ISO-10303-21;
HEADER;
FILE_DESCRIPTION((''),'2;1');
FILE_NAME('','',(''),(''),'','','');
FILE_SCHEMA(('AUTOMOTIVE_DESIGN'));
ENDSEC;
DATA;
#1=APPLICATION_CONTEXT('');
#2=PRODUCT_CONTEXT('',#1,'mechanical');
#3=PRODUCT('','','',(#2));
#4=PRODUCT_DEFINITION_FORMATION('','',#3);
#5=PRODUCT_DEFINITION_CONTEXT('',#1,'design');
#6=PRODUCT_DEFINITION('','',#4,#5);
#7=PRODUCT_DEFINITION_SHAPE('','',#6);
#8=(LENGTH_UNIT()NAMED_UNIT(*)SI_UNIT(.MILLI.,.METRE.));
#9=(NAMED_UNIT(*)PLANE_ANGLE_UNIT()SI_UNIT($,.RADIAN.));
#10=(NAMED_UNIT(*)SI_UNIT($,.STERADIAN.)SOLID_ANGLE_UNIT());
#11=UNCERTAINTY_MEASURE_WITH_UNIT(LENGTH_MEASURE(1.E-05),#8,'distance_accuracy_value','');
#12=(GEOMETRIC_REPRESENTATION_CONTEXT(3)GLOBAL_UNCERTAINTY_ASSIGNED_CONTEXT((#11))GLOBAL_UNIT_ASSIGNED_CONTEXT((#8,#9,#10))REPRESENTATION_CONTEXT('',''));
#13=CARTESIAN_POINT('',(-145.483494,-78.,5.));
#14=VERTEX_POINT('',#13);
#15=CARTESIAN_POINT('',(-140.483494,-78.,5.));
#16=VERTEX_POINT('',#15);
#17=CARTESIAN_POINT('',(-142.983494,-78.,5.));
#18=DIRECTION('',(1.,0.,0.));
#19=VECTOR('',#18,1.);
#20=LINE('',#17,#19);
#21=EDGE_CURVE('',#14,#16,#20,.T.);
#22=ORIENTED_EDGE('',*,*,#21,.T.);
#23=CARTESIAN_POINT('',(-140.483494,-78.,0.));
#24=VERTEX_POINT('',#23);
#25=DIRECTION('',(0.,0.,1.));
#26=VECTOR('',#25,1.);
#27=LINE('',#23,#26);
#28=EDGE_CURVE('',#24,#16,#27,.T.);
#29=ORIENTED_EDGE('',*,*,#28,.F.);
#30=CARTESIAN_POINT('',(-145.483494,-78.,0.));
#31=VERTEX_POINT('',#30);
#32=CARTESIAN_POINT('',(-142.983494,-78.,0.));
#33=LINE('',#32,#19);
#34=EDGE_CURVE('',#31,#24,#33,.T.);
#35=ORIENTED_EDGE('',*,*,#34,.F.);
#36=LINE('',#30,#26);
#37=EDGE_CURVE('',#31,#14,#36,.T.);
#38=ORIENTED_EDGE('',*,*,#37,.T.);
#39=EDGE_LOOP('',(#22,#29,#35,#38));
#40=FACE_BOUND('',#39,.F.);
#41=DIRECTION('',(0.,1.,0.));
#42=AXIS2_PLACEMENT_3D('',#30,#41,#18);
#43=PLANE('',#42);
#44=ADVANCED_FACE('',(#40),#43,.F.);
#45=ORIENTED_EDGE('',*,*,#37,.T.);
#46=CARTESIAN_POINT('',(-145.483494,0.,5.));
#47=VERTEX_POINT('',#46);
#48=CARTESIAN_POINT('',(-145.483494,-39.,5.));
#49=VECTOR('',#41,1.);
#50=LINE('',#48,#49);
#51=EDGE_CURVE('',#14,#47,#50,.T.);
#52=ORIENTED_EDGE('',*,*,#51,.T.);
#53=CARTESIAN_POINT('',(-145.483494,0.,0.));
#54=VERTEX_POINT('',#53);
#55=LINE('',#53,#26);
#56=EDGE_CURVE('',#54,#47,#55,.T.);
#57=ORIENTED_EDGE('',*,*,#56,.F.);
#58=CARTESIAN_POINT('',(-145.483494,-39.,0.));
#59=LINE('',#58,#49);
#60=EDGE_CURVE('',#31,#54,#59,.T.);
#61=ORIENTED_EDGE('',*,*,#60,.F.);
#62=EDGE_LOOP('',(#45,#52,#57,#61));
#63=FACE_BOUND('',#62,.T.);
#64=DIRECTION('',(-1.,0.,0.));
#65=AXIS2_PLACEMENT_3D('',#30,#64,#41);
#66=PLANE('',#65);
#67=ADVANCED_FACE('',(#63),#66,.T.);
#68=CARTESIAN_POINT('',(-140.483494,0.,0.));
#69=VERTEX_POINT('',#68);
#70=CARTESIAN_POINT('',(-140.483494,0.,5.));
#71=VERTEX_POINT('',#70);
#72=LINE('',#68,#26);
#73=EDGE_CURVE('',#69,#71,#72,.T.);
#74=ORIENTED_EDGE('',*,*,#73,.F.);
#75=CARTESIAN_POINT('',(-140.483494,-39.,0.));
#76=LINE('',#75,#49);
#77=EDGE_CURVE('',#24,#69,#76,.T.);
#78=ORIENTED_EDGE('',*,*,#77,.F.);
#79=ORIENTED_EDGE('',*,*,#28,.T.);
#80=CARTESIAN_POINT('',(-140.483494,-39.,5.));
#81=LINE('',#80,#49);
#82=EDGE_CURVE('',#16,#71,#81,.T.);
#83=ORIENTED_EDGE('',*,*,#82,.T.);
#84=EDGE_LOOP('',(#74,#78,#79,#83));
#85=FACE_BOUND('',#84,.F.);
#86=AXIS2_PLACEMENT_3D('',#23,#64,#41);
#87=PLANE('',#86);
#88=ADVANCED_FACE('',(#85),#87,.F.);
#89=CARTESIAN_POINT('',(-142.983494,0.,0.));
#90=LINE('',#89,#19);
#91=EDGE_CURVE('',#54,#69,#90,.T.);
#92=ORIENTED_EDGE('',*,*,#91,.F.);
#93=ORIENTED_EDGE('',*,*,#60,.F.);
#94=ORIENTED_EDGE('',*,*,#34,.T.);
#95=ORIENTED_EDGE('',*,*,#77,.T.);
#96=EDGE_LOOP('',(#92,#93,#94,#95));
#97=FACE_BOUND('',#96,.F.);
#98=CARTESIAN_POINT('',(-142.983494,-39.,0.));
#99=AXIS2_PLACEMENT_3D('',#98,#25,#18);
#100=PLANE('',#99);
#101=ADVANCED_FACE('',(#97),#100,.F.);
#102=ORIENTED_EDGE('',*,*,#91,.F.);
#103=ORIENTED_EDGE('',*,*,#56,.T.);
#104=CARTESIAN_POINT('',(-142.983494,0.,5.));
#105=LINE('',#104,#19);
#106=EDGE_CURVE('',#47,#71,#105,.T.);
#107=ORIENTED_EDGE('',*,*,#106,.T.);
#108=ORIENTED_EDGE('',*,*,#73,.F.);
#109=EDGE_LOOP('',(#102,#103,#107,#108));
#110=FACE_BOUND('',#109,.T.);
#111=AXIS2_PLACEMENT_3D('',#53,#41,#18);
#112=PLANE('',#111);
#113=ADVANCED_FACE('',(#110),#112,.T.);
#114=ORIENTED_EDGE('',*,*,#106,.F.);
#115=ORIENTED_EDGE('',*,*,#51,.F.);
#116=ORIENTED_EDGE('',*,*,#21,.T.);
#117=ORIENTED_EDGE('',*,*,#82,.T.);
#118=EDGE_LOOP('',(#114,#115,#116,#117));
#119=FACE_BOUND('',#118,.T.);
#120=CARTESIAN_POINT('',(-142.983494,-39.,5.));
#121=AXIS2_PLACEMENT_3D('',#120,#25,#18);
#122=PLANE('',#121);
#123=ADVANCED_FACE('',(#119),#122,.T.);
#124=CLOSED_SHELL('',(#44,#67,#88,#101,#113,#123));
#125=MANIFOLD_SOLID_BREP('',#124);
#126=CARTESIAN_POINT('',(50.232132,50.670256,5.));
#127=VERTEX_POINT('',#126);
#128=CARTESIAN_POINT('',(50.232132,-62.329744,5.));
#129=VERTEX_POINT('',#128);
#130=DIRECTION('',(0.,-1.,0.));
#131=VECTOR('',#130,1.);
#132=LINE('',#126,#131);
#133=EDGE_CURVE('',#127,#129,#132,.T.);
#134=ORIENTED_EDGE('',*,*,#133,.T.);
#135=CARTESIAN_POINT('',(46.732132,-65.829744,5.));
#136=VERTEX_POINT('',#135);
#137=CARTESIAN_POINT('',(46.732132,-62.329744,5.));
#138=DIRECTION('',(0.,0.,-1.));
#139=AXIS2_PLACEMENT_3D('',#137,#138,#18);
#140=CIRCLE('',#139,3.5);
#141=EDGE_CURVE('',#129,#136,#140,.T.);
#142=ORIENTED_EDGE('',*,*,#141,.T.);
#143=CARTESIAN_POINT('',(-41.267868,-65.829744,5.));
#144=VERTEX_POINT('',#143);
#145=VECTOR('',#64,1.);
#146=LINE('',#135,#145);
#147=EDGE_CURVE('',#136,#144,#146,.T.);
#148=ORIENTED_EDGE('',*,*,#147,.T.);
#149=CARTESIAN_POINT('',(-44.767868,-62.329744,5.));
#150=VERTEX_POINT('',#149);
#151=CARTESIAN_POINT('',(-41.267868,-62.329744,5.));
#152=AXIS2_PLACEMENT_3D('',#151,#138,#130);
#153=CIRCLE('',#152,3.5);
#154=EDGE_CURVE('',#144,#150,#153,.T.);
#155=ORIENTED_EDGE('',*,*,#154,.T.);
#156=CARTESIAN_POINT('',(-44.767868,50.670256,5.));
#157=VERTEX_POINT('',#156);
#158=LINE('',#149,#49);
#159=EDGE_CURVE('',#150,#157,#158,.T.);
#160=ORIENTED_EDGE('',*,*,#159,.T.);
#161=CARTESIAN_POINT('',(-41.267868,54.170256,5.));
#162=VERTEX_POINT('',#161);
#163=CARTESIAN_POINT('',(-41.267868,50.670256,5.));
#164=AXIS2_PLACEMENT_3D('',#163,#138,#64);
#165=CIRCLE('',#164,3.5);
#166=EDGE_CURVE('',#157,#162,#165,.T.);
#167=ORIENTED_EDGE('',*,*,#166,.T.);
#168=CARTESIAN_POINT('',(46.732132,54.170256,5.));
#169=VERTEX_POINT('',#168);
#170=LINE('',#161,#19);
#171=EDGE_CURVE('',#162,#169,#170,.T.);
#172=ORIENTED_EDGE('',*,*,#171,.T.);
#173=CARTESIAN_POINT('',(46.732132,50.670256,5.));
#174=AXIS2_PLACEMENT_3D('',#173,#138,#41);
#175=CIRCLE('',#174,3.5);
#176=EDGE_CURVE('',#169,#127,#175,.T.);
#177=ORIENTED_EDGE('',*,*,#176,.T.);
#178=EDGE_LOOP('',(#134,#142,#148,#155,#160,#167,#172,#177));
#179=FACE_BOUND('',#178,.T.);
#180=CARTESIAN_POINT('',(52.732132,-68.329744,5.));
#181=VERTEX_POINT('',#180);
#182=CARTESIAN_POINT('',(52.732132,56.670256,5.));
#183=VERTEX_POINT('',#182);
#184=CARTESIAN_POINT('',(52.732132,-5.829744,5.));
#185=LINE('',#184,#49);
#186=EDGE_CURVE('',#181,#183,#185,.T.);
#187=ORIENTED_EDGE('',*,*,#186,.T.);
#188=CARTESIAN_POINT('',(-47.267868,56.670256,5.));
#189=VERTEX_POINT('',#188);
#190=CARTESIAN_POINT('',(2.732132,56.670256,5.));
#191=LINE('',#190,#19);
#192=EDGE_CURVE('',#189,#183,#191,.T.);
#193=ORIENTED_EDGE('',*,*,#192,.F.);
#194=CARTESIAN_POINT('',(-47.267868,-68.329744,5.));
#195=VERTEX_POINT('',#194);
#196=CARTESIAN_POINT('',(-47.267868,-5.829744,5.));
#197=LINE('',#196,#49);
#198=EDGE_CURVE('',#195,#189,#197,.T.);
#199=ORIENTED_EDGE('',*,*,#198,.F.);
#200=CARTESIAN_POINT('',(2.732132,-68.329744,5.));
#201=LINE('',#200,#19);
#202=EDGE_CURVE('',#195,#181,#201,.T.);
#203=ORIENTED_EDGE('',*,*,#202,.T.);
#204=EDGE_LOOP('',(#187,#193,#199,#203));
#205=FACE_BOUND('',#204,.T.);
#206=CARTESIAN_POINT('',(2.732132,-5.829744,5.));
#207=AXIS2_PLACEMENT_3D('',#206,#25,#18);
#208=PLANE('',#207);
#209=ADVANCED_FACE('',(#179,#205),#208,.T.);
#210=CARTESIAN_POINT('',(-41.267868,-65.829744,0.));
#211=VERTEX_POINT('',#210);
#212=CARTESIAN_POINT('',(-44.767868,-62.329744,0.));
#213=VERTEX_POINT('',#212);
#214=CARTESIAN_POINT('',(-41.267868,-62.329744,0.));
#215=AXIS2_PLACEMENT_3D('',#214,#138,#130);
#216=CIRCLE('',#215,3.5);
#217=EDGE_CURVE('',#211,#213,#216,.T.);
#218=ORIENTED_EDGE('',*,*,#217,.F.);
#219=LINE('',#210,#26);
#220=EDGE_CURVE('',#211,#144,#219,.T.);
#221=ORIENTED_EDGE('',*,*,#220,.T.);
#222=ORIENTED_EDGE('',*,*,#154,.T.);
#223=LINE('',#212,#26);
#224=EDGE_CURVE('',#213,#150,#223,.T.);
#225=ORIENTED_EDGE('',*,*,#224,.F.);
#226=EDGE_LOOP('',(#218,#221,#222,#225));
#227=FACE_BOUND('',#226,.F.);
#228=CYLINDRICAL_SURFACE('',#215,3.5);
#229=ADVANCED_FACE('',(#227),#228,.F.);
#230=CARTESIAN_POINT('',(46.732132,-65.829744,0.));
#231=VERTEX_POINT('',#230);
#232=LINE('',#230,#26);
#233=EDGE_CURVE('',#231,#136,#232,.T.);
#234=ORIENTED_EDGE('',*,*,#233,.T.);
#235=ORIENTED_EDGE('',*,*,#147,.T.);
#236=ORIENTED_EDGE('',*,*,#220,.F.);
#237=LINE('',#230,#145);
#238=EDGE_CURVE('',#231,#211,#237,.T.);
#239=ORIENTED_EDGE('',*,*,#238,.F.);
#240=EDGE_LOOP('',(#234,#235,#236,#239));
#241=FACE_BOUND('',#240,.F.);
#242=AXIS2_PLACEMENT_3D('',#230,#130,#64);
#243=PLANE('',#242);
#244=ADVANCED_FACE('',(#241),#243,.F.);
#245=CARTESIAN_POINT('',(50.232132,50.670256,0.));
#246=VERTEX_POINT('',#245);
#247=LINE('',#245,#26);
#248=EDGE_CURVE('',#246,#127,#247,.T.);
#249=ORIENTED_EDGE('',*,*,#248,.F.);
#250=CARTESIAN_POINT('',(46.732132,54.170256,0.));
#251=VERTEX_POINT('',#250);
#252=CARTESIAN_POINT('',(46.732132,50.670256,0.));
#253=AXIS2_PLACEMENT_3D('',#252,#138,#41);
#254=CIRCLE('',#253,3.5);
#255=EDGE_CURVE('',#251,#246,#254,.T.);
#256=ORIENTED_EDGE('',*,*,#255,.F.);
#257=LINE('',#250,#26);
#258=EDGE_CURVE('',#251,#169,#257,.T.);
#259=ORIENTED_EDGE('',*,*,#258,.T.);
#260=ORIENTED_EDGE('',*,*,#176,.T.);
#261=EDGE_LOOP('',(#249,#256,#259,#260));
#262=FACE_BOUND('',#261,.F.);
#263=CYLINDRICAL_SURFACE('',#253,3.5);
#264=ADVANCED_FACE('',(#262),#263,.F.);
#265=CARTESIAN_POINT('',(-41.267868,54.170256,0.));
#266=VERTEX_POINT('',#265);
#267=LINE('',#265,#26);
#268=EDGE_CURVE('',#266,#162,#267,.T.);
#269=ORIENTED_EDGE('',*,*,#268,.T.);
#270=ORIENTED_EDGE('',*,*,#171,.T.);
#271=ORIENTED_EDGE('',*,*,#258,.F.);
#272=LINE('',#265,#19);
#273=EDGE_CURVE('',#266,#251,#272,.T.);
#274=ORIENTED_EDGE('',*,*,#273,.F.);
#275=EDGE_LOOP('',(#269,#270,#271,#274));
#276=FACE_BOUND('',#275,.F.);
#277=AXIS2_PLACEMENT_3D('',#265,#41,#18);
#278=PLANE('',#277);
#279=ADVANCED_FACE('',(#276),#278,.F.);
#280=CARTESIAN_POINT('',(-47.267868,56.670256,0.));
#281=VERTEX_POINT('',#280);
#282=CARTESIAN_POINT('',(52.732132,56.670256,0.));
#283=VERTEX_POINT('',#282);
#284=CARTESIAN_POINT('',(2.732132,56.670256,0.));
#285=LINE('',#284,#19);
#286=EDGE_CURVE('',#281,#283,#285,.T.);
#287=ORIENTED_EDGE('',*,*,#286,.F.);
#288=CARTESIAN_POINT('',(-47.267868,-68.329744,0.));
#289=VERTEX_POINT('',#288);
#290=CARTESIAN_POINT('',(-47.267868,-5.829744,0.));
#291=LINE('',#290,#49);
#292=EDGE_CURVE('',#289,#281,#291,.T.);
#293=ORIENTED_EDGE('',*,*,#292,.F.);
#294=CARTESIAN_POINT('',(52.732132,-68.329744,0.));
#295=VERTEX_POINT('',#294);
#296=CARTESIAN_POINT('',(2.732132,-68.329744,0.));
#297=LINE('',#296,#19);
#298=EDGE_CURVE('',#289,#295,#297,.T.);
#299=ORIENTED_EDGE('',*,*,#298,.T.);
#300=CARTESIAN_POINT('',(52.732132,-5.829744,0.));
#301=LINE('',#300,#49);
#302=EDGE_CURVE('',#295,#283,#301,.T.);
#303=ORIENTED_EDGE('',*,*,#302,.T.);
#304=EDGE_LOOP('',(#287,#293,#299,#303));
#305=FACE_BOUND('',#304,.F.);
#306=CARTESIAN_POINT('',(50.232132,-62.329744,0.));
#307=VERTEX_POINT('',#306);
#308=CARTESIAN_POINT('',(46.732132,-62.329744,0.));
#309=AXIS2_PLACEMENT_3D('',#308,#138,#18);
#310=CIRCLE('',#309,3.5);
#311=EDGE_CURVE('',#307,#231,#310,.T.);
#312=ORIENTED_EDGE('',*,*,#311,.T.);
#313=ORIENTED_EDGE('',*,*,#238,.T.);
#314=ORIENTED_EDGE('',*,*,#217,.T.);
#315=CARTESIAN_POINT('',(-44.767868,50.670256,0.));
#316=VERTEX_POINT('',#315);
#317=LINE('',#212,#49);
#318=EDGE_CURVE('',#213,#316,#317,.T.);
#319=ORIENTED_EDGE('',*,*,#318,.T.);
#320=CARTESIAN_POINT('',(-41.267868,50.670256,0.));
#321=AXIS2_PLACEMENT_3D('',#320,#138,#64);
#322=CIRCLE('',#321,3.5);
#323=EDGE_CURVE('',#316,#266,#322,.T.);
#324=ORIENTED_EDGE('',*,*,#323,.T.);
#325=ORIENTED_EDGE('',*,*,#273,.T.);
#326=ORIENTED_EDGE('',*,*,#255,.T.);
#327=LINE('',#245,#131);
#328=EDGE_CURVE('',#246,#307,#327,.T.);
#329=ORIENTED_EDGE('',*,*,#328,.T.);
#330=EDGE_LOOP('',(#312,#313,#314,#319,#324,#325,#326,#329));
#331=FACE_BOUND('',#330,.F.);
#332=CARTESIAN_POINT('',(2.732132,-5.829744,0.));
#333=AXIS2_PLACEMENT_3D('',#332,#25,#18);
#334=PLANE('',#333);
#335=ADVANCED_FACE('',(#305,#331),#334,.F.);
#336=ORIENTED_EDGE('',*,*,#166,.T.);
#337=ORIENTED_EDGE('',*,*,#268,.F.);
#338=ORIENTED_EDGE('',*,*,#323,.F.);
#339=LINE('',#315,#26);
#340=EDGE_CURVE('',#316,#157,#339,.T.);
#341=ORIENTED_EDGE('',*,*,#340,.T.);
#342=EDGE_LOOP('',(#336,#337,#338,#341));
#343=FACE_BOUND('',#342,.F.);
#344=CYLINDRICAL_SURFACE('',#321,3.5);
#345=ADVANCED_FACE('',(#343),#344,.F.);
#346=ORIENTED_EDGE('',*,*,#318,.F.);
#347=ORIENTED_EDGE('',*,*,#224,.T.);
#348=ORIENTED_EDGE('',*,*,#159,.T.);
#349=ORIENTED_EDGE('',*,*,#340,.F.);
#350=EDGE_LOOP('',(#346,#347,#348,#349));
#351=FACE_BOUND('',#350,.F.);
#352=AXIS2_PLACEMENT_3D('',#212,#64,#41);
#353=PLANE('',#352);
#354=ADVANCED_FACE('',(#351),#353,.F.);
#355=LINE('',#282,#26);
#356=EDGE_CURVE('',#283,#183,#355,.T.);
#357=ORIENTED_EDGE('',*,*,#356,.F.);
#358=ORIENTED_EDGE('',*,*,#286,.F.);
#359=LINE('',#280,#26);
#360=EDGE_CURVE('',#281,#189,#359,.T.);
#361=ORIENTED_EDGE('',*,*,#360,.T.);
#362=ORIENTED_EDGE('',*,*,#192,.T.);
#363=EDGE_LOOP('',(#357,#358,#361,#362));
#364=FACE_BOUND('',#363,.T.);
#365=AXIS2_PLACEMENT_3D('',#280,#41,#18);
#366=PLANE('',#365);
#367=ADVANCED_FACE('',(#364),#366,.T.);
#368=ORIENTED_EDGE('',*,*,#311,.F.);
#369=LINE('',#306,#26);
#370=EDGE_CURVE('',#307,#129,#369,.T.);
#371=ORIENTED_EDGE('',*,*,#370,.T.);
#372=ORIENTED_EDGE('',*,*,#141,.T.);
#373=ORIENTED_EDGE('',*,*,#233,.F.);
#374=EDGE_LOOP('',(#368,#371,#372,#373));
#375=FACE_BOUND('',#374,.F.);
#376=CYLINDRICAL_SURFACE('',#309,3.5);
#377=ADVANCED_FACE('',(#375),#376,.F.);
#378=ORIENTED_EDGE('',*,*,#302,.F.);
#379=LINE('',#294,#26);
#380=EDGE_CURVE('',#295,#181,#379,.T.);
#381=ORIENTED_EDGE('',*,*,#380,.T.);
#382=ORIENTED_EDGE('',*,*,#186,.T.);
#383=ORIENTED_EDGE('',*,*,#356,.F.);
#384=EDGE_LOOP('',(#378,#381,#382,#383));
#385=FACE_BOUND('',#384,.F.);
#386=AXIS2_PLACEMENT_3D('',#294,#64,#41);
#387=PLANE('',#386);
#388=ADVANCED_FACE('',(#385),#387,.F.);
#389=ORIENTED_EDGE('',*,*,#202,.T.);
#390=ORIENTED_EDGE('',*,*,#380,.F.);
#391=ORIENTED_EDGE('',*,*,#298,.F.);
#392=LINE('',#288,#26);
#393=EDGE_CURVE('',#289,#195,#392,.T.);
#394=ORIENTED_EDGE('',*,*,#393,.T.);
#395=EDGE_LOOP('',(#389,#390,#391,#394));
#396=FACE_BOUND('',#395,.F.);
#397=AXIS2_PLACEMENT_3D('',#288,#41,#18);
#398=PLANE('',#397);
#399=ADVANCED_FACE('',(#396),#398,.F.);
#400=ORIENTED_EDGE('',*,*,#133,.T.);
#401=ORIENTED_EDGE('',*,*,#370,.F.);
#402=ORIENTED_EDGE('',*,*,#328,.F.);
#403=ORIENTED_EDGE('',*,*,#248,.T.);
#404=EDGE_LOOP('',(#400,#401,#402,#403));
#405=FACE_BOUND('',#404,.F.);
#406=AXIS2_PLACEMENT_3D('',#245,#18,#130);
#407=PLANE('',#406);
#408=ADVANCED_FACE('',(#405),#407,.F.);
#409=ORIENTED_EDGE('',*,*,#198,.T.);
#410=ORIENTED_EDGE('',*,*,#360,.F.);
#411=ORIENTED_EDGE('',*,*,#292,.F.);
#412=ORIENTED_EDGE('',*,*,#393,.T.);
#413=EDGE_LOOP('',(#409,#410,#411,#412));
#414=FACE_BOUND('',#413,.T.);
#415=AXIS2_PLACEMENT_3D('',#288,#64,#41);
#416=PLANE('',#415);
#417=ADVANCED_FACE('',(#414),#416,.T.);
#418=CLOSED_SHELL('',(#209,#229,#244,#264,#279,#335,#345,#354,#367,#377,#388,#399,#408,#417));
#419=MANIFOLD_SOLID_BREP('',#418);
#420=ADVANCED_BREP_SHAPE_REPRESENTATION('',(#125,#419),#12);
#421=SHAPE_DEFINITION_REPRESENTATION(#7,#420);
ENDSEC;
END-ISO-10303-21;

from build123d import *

# Parameters (mm, degrees)
F0_W     = 100
F0_H     = 125
F1_DEPTH = 5
F0_W_2   = 5
F0_H_2   = 78


with BuildPart() as f1:
    # F0 (on Top) → F1 (new body)
    with BuildSketch(Plane.XY):
        with Locations((2.7321317747, -5.829744041)):
            Rectangle(F0_W, F0_H)
        with BuildLine():
            ThreePointArc((-44.7678682253, 50.670255959), (-43.7427419594, 53.1451296932), (-41.2678682253, 54.170255959))
            Line((-41.2678682253, 54.170255959), (46.7321317747, 54.170255959))
            ThreePointArc((46.7321317747, 54.170255959), (49.2070055089, 53.1451296932), (50.2321317747, 50.670255959))
            Line((50.2321317747, 50.670255959), (50.2321317747, -62.329744041))
            ThreePointArc((50.2321317747, -62.329744041), (49.2070055089, -64.8046177751), (46.7321317747, -65.829744041))
            Line((46.7321317747, -65.829744041), (-41.2678682253, -65.829744041))
            ThreePointArc((-41.2678682253, -65.829744041), (-43.7427419594, -64.8046177751), (-44.7678682253, -62.329744041))
            Line((-44.7678682253, -62.329744041), (-44.7678682253, 50.670255959))
        make_face(mode=Mode.SUBTRACT)
    extrude(amount=F1_DEPTH)


with BuildPart() as f1b:
    # F0 (on Top) → F1, piece 2 (new body)
    with BuildSketch(Plane.XY):
        with Locations((-142.9834938049, -39)):
            Rectangle(F0_W_2, F0_H_2)
    extrude(amount=F1_DEPTH)


solid = Compound([f1.part, f1b.part])
